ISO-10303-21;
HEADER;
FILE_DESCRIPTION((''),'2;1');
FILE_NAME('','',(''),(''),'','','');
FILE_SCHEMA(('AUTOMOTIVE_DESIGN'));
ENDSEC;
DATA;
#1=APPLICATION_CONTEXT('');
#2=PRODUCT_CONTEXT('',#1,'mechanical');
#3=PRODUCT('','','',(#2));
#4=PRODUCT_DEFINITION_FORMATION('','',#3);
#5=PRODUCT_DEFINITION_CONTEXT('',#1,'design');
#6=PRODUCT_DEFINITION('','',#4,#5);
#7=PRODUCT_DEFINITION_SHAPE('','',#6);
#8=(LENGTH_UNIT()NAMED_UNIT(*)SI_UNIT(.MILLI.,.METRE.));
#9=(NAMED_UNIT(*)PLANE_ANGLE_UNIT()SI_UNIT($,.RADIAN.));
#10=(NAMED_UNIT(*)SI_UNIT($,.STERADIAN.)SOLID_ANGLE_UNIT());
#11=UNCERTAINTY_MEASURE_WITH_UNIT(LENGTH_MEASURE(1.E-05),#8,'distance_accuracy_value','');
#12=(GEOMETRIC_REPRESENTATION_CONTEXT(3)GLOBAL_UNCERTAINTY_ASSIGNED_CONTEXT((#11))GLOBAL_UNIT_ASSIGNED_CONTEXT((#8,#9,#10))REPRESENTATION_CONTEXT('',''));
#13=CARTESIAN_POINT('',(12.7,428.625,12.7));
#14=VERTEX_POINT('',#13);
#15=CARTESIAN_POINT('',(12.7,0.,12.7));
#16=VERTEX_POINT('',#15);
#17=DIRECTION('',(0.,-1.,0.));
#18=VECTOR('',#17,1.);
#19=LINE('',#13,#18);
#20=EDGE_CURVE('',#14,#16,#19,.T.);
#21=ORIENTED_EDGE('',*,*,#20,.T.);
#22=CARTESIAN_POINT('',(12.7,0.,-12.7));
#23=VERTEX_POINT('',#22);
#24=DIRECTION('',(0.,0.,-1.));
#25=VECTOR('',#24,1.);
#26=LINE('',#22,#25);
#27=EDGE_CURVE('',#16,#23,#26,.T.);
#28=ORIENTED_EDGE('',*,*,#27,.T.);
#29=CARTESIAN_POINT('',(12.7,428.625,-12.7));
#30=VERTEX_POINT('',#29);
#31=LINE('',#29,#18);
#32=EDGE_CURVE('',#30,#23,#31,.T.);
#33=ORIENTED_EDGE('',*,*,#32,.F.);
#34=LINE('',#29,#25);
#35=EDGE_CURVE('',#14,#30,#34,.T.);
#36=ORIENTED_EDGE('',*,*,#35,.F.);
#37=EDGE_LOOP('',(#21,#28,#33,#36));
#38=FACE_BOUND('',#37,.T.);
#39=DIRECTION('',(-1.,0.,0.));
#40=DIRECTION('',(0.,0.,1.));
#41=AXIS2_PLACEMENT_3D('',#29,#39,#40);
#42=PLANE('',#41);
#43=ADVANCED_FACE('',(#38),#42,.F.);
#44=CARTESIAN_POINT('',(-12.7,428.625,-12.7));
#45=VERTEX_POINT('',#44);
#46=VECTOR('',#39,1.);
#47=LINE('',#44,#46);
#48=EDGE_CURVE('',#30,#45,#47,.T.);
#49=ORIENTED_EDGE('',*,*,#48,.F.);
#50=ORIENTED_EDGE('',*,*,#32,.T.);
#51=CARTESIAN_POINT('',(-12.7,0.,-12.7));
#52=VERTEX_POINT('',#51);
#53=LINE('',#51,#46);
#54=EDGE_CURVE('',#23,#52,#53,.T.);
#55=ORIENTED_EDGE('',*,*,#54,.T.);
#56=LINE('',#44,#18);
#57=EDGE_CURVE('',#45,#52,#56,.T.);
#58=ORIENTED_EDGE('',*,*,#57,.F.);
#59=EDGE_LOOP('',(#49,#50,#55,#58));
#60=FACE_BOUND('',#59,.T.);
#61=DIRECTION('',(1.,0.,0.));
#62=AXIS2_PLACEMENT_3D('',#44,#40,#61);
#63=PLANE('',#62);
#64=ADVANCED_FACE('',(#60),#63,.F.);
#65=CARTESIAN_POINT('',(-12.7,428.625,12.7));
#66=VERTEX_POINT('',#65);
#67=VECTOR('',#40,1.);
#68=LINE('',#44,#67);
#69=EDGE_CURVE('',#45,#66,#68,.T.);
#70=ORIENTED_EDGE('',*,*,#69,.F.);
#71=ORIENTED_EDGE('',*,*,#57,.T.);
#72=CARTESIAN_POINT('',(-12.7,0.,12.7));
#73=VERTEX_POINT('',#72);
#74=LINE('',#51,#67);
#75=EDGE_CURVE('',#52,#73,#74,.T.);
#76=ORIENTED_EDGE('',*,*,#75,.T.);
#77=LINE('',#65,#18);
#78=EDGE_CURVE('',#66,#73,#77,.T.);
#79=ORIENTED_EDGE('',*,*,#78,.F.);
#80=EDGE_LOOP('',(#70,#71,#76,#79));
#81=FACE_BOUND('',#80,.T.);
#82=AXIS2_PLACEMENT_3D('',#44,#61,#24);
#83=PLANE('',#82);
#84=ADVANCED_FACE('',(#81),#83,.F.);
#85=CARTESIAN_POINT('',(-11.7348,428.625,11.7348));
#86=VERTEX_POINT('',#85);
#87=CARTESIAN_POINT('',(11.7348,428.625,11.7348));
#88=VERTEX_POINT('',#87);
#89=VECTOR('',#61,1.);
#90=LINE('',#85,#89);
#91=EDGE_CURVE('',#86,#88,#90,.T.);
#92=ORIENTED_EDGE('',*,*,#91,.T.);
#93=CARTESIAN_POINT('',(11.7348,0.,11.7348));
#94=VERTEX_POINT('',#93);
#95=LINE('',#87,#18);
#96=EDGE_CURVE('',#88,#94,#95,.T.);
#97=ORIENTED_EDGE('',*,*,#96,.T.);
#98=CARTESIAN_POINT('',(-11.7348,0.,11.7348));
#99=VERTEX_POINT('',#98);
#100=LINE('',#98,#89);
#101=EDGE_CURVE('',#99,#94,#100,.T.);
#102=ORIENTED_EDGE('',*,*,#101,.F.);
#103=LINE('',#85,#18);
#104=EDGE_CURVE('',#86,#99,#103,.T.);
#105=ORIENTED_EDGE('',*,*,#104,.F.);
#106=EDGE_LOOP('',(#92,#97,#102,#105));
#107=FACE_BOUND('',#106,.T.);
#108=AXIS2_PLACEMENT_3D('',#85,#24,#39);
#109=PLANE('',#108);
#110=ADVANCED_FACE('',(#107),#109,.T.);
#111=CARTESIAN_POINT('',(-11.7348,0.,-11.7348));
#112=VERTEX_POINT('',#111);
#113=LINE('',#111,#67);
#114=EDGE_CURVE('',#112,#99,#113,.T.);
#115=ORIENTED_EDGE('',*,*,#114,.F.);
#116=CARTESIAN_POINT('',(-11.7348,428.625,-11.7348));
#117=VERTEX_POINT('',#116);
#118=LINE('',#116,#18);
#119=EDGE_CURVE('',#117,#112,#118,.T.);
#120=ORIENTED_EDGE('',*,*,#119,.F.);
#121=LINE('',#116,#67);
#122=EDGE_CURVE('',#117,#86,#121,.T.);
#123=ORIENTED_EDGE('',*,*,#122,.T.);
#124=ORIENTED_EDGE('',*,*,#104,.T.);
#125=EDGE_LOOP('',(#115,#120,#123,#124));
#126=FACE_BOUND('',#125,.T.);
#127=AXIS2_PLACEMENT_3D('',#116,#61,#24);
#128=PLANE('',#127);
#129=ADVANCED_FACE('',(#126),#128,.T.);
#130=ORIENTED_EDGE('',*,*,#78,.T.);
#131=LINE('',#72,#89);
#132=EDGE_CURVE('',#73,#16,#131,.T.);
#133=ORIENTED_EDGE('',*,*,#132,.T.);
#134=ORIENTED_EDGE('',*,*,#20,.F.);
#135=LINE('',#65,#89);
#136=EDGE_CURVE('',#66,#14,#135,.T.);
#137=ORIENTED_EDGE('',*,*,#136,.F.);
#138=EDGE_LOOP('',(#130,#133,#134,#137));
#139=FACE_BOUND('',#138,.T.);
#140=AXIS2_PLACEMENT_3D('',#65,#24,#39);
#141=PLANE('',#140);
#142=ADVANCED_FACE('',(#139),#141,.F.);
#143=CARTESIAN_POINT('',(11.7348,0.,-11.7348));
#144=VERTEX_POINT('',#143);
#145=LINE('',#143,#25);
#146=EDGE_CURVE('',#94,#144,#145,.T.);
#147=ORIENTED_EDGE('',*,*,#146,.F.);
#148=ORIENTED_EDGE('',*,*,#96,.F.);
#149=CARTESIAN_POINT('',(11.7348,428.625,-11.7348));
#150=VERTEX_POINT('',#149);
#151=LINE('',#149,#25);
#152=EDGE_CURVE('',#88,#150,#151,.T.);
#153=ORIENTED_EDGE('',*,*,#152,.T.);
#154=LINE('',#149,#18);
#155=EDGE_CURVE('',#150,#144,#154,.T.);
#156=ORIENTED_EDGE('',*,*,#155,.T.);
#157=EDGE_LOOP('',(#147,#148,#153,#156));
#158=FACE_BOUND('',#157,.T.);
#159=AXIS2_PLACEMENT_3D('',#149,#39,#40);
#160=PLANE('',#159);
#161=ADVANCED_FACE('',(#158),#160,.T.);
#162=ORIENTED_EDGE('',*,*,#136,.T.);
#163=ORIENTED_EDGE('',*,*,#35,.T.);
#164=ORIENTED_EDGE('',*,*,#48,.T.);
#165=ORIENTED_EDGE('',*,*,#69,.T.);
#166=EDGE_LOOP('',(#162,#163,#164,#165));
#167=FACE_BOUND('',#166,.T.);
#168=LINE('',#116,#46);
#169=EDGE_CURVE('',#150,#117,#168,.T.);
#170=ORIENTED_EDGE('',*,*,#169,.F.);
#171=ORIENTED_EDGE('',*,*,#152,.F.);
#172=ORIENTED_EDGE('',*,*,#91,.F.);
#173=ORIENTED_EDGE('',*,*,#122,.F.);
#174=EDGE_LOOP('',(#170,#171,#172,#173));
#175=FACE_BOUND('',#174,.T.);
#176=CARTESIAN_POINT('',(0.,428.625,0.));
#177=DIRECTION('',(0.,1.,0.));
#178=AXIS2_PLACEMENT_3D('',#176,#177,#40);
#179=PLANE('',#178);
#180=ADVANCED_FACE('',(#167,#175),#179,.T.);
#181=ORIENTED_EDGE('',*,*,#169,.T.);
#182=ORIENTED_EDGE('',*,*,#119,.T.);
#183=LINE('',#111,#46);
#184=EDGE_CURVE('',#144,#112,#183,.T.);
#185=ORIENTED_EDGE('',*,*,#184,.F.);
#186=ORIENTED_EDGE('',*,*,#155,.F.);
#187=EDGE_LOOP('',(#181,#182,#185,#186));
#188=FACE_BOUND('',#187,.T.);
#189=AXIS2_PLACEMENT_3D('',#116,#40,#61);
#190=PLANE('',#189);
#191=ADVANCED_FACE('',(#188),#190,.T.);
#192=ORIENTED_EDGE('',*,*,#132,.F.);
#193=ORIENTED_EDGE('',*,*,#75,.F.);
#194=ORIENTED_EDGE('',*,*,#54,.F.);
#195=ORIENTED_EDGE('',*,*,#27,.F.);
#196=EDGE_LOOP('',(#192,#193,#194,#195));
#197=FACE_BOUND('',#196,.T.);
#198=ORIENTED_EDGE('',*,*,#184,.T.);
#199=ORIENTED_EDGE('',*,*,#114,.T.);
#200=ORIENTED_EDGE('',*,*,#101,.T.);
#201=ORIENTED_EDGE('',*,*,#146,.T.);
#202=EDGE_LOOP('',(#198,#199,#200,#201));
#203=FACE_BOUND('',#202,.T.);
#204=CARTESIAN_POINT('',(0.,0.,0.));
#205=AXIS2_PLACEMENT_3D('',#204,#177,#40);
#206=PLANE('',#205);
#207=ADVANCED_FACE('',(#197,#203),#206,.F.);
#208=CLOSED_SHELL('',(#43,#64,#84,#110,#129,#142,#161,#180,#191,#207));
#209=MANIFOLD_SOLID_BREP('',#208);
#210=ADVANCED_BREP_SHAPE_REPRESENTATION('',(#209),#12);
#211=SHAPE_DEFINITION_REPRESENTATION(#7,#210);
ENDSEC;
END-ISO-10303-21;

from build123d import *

# Parameters (mm, degrees)
SKETCH1_W           = 25.4
SKETCH1_H           = 25.4
SKETCH1_W_2         = 23.4696
SKETCH1_H_2         = 23.4696
BOSS_EXTRUDE1_DEPTH = 428.625


with BuildPart() as part:
    # Sketch1 → Boss-Extrude1 (new body)
    with BuildSketch(Plane(origin=(0, 0, 0), x_dir=(1, 0, 0), z_dir=(0, 1, 0))):
        Rectangle(SKETCH1_W, SKETCH1_H)
        Rectangle(SKETCH1_W_2, SKETCH1_H_2, mode=Mode.SUBTRACT)
    extrude(amount=BOSS_EXTRUDE1_DEPTH)


solid = part.part
